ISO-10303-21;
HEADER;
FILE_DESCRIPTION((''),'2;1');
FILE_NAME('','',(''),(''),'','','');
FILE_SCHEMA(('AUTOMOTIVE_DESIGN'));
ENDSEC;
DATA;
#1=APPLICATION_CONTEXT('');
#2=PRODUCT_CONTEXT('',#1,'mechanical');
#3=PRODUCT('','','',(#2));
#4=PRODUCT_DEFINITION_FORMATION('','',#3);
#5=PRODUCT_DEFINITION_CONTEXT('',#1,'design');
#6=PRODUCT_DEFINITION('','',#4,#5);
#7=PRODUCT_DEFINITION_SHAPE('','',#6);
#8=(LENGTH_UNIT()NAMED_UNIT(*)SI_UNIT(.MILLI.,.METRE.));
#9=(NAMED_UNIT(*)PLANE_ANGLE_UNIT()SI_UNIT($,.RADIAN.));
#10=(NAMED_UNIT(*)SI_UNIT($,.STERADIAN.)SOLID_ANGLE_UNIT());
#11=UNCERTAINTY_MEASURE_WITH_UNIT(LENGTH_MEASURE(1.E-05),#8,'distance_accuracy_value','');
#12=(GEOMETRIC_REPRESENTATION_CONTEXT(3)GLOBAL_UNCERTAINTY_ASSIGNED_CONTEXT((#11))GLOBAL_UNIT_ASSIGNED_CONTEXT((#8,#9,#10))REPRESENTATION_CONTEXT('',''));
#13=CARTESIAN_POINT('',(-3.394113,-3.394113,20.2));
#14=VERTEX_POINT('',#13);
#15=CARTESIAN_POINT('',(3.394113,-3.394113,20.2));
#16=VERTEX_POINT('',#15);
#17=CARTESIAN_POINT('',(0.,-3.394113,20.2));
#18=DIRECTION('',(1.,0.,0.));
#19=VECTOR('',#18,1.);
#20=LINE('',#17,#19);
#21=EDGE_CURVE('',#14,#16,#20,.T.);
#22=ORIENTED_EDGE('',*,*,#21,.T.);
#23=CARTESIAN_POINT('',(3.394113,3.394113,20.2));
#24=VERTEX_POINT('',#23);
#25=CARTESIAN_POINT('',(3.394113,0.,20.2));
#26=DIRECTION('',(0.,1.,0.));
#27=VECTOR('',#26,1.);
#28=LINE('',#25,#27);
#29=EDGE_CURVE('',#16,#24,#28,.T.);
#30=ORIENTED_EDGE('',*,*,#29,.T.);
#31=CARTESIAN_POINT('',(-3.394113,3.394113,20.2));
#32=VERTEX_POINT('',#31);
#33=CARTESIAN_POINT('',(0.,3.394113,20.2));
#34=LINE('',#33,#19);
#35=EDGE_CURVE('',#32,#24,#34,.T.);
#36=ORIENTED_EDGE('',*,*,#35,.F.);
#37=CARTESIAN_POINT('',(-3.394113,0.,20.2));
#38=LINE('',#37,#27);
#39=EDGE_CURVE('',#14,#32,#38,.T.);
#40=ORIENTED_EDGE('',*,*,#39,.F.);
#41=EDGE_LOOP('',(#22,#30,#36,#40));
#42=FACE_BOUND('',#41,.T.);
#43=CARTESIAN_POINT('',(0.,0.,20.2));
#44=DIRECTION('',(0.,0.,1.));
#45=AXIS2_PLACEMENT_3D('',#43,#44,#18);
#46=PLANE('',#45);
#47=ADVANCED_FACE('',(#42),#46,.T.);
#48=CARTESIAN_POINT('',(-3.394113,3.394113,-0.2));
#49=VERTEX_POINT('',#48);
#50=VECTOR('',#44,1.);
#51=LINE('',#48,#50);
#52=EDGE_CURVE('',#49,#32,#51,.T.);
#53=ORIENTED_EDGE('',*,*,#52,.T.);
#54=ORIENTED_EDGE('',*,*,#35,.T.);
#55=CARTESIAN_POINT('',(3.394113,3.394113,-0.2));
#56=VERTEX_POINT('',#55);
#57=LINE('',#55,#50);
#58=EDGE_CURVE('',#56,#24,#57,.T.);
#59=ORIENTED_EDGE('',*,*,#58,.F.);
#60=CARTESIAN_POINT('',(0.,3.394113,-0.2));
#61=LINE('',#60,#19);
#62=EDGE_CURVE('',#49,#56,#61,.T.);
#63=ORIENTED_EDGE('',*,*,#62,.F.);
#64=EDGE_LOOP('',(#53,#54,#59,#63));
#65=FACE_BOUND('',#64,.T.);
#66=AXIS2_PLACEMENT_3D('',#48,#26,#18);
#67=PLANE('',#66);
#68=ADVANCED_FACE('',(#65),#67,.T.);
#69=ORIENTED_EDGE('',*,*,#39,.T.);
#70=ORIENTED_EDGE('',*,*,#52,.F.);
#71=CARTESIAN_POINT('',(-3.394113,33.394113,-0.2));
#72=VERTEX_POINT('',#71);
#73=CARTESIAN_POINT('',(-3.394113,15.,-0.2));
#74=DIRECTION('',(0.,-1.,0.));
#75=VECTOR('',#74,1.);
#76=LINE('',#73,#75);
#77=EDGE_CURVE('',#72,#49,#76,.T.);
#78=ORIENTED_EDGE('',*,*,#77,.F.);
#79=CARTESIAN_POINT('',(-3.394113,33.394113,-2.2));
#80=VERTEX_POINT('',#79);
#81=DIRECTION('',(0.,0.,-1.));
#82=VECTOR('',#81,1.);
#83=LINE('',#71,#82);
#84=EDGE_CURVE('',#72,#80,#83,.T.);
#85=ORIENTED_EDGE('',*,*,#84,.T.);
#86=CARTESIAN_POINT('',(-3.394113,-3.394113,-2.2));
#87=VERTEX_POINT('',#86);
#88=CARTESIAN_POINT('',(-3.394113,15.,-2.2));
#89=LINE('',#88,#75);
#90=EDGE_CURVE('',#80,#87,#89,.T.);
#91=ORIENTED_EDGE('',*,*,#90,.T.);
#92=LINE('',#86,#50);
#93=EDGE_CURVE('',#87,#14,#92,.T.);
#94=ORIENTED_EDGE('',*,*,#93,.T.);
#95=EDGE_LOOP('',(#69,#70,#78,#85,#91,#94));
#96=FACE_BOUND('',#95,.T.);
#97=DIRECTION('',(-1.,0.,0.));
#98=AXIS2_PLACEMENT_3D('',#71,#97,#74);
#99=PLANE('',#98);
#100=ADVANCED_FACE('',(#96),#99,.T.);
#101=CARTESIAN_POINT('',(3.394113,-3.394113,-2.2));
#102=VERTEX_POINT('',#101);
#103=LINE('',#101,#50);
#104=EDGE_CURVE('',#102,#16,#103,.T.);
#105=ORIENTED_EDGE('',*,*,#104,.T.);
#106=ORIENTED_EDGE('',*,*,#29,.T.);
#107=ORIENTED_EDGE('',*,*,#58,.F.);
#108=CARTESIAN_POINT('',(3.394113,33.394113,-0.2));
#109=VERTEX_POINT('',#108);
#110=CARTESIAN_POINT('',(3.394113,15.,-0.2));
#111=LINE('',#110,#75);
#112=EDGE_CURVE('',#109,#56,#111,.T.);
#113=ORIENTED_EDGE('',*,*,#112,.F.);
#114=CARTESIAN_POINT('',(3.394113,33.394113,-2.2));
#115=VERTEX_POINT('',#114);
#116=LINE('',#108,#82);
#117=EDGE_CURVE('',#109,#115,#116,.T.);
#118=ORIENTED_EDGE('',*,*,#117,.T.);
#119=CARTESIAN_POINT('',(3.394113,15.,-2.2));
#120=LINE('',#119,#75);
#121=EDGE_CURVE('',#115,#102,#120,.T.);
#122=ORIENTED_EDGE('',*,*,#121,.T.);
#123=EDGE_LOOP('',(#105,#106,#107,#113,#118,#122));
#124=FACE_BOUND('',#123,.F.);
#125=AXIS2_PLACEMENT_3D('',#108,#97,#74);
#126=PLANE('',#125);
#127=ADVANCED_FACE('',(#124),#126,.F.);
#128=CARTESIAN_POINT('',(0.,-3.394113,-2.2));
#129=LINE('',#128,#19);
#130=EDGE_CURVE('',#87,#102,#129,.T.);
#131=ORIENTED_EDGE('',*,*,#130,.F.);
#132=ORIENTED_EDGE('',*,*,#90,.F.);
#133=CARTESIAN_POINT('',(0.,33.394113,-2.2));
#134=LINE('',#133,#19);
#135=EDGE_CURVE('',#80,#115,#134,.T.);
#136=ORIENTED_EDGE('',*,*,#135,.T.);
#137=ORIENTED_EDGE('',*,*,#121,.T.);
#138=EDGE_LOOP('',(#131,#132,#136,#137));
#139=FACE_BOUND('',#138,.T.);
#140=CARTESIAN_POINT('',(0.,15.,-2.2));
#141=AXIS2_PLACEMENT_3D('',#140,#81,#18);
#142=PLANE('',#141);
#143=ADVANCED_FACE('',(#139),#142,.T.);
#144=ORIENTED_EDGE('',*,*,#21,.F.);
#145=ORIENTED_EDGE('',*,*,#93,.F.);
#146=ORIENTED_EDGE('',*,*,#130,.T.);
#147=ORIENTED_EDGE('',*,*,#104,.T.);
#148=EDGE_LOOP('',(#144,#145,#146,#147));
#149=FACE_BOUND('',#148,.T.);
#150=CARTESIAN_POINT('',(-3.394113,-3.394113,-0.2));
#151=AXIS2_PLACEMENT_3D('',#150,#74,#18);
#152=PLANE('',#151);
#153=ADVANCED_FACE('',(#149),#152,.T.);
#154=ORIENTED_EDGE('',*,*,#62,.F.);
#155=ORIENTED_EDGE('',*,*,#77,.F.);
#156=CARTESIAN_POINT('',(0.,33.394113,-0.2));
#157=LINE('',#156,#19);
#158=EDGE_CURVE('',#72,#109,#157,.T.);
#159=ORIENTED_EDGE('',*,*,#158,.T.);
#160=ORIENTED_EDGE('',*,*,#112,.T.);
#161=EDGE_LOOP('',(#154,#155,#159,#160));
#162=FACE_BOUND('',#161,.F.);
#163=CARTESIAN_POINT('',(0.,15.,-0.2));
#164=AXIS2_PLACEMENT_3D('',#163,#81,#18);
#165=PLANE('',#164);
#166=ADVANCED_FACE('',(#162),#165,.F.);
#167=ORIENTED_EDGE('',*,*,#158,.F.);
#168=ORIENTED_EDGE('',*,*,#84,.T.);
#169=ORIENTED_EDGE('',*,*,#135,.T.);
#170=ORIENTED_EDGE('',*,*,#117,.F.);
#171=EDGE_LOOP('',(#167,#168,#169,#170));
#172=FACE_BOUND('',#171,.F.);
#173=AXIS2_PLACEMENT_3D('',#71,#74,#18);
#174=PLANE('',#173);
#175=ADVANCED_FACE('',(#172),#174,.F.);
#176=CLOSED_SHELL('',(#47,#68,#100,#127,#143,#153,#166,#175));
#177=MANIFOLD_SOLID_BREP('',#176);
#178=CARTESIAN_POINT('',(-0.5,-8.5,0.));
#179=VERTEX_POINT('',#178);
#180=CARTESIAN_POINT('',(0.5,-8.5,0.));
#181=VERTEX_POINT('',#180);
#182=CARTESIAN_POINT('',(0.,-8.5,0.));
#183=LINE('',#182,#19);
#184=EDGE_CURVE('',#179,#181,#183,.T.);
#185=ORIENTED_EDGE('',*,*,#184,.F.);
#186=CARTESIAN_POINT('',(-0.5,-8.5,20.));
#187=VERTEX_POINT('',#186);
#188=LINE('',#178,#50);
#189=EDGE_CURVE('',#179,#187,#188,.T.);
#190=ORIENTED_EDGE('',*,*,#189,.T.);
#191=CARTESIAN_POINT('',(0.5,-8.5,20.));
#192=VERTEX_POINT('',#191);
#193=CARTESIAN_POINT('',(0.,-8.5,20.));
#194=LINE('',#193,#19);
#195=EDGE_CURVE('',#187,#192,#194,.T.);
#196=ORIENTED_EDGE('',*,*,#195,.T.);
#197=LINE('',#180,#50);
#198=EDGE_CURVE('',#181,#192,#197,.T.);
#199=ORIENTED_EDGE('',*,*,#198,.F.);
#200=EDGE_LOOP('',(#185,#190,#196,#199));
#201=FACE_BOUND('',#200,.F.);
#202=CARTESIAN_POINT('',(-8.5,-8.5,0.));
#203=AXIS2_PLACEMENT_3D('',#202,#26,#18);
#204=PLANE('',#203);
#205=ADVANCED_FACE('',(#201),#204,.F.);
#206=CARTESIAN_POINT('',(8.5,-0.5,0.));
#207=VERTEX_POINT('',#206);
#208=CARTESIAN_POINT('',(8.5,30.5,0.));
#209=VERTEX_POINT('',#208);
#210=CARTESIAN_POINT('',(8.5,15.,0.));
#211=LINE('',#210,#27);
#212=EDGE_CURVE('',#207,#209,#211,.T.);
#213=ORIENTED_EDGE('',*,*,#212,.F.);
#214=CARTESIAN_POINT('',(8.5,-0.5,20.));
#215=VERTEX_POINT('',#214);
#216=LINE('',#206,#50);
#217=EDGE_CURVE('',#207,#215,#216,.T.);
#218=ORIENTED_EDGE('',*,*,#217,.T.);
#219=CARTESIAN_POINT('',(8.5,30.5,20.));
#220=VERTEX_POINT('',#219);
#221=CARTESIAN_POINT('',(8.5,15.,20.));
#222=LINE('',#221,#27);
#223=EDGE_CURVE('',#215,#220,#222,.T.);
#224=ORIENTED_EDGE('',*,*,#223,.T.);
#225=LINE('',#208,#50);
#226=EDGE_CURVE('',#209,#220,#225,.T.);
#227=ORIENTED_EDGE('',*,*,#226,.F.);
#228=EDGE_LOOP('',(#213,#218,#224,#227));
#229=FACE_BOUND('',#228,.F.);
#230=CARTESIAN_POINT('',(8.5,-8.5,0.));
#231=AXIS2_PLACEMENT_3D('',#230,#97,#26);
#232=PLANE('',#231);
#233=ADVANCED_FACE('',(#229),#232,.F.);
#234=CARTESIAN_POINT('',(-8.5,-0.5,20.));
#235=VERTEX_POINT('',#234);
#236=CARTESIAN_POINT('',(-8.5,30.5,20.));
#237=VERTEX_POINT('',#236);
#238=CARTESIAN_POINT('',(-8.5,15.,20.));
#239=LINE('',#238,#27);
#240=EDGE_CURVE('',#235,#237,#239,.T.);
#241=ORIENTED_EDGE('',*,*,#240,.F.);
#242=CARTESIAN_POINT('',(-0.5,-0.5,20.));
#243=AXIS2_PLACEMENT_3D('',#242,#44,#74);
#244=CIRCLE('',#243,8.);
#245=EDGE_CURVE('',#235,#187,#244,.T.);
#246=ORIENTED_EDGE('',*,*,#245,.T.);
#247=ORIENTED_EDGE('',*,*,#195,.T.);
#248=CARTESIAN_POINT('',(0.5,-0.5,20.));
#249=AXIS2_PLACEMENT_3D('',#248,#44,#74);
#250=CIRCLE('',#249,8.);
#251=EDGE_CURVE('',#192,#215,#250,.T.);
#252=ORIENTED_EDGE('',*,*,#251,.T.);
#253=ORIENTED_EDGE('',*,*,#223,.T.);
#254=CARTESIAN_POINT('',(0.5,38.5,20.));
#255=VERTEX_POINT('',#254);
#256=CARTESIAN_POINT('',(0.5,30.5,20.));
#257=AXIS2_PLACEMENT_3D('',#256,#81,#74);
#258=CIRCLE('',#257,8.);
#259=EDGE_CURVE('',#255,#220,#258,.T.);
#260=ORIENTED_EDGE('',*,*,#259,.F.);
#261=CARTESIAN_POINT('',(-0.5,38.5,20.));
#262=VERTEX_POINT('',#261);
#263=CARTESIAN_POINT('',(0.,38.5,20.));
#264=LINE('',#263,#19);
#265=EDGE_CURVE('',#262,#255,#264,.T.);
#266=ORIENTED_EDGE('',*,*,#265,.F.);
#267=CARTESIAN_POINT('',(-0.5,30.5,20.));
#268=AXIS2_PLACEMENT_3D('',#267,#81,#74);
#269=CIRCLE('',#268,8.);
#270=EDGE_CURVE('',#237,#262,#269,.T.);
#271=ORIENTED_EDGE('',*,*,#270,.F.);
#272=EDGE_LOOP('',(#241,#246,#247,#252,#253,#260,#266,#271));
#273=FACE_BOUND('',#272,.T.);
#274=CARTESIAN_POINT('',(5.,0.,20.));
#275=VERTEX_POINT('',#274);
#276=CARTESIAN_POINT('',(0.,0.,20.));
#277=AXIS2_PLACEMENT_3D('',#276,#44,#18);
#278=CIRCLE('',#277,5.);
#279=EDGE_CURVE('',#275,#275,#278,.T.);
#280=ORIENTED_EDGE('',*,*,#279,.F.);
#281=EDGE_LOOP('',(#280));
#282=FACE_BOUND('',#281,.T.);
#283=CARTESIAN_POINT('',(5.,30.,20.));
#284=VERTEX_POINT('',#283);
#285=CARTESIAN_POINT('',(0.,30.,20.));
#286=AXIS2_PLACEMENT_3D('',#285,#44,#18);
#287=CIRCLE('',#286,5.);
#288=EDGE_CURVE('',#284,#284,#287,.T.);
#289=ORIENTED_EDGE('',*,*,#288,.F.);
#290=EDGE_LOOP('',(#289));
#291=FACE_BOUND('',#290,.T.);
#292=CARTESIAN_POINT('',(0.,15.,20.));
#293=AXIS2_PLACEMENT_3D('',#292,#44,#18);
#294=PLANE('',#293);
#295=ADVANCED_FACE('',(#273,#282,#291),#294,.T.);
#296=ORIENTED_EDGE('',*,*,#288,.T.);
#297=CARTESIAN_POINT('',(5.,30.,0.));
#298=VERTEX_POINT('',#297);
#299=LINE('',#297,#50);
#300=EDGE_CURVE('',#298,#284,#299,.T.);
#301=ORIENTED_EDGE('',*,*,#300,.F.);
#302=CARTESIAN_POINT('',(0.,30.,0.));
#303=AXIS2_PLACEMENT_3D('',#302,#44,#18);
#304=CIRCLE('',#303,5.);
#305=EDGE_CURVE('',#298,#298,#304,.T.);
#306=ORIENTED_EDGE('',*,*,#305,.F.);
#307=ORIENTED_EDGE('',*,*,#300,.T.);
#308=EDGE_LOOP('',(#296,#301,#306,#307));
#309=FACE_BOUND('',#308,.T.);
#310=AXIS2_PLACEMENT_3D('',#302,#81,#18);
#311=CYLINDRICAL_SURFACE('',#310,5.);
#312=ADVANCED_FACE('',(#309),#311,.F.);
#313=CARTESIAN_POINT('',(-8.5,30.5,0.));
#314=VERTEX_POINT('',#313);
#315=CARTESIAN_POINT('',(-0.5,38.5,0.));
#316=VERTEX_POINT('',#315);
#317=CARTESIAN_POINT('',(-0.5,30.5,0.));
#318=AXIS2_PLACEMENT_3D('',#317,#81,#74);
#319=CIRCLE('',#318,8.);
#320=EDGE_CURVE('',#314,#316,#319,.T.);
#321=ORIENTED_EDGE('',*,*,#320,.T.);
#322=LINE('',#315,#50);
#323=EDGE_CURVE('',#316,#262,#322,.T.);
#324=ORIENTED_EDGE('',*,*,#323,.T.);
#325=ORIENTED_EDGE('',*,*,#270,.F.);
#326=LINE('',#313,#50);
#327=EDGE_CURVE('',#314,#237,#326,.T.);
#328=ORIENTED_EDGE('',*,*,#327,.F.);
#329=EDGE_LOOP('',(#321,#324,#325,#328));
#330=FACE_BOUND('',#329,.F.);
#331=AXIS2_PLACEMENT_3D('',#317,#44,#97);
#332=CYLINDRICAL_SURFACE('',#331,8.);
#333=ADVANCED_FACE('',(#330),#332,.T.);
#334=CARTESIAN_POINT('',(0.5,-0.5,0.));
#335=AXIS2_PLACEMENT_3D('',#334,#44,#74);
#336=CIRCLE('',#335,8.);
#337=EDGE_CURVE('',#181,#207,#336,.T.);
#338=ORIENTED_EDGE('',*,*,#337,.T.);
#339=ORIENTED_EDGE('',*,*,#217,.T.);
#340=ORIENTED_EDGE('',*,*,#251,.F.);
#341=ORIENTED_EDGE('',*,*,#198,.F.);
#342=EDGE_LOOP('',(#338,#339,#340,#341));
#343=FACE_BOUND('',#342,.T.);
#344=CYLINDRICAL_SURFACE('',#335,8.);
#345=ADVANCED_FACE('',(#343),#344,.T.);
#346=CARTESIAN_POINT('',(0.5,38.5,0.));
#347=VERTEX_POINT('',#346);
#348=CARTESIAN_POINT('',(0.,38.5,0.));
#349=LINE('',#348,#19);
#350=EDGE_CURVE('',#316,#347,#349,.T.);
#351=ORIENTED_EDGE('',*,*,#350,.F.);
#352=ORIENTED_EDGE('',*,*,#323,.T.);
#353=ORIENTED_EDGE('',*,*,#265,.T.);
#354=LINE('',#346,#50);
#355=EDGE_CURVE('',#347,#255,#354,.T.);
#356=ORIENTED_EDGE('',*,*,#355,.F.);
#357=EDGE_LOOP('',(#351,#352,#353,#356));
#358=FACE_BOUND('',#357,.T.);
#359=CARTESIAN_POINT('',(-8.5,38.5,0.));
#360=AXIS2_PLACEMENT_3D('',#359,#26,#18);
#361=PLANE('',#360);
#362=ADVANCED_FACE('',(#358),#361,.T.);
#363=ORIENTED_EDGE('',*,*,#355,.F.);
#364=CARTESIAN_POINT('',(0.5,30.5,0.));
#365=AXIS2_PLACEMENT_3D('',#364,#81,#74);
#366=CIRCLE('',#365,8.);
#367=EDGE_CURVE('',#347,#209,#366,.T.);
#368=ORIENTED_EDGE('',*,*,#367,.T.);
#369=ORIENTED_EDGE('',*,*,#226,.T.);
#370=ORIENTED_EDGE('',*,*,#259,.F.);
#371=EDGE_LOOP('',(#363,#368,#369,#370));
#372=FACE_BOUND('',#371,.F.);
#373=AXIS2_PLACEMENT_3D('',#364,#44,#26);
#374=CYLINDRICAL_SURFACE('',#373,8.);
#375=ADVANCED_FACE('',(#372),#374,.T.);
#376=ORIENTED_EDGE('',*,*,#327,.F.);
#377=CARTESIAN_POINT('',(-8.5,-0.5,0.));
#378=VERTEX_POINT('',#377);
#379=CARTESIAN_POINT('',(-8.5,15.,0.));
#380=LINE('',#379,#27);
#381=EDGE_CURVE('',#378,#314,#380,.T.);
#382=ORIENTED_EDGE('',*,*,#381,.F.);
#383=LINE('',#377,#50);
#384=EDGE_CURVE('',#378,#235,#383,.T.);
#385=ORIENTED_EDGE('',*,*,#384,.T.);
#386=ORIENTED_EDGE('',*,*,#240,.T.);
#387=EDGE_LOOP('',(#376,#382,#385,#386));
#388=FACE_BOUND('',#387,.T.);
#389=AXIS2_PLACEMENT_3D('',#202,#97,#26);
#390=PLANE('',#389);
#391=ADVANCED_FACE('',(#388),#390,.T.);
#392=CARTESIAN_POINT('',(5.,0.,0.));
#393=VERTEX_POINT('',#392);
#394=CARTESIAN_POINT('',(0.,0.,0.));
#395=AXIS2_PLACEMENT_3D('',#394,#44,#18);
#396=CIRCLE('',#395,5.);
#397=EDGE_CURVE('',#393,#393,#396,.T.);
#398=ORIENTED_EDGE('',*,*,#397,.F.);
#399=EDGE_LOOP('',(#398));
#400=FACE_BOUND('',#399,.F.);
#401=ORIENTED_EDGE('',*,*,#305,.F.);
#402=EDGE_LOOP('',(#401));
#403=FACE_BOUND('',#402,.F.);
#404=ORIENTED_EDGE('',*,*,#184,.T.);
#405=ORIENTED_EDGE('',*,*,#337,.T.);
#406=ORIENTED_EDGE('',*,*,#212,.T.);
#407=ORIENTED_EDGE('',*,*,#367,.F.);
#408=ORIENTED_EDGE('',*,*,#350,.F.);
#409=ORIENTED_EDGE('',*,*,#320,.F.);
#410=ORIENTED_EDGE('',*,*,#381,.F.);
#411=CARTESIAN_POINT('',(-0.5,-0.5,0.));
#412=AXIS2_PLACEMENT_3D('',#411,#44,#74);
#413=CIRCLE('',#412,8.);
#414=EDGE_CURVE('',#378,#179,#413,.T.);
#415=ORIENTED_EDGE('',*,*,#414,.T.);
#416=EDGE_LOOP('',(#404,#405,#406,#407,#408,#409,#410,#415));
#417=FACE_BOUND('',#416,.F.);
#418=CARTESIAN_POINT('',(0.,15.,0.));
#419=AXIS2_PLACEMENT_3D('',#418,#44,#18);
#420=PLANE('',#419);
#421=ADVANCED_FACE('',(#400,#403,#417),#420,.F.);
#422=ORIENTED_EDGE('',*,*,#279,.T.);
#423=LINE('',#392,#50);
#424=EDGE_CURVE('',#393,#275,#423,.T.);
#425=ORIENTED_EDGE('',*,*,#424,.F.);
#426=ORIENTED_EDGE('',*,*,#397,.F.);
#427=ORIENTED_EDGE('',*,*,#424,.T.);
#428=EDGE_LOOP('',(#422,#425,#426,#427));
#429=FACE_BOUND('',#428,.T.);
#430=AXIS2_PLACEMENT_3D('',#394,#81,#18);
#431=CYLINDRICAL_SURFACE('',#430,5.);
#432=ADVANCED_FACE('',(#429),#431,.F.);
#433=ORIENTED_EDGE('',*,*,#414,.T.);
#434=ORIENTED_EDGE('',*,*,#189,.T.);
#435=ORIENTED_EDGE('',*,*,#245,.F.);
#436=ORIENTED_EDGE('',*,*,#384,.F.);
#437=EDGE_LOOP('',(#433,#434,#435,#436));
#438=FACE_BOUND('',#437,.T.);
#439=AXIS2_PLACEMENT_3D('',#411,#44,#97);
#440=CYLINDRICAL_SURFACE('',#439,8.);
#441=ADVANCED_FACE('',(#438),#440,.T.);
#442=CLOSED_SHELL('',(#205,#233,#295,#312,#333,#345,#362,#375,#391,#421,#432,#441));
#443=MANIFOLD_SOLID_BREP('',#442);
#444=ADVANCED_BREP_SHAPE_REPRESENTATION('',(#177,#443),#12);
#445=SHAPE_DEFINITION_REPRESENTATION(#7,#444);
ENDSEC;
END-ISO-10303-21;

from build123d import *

# Parameters (mm, degrees)
F0_W     = 17
F0_H     = 47
F0_R     = 5
F1_DEPTH = 20
F2_R     = 8
F4_W     = 6.788226
F4_H     = 6.788226
F5_DEPTH = 20.4
F6_W     = 6.788226
F6_H     = 36.788226
F7_DEPTH = 2


with BuildPart() as f1:
    # F0 (on Top) → F1 (new body)
    with BuildSketch(Plane.XY):
        with Locations((0, 15)):
            Rectangle(F0_W, F0_H)
        Circle(F0_R, mode=Mode.SUBTRACT)
        with Locations((0, 30)):
            Circle(F0_R, mode=Mode.SUBTRACT)
    extrude(amount=F1_DEPTH)

    # F2
    f2_edges = [f1.edges().sort_by_distance(p)[0] for p in [
        (8.5, -8.5, 10),
        (-8.5, -8.5, 10),
        (8.5, 38.5, 10),
        (-8.5, 38.5, 10),
    ]]
    fillet(f2_edges, radius=F2_R)


with BuildPart() as f5:
    # F4 (on offset) → F5 (new body)
    with BuildSketch(Plane.XY.offset(-0.2)):
        Rectangle(F4_W, F4_H)
    extrude(amount=F5_DEPTH)

    # F6 (on face) → F7 (join)
    with BuildSketch(Plane(origin=(0, 0, -0.2), x_dir=(1, 0, 0), z_dir=(0, 0, -1))):
        with Locations((0, -15)):
            Rectangle(F6_W, F6_H)
    extrude(amount=F7_DEPTH)


solid = Compound([f1.part, f5.part])
